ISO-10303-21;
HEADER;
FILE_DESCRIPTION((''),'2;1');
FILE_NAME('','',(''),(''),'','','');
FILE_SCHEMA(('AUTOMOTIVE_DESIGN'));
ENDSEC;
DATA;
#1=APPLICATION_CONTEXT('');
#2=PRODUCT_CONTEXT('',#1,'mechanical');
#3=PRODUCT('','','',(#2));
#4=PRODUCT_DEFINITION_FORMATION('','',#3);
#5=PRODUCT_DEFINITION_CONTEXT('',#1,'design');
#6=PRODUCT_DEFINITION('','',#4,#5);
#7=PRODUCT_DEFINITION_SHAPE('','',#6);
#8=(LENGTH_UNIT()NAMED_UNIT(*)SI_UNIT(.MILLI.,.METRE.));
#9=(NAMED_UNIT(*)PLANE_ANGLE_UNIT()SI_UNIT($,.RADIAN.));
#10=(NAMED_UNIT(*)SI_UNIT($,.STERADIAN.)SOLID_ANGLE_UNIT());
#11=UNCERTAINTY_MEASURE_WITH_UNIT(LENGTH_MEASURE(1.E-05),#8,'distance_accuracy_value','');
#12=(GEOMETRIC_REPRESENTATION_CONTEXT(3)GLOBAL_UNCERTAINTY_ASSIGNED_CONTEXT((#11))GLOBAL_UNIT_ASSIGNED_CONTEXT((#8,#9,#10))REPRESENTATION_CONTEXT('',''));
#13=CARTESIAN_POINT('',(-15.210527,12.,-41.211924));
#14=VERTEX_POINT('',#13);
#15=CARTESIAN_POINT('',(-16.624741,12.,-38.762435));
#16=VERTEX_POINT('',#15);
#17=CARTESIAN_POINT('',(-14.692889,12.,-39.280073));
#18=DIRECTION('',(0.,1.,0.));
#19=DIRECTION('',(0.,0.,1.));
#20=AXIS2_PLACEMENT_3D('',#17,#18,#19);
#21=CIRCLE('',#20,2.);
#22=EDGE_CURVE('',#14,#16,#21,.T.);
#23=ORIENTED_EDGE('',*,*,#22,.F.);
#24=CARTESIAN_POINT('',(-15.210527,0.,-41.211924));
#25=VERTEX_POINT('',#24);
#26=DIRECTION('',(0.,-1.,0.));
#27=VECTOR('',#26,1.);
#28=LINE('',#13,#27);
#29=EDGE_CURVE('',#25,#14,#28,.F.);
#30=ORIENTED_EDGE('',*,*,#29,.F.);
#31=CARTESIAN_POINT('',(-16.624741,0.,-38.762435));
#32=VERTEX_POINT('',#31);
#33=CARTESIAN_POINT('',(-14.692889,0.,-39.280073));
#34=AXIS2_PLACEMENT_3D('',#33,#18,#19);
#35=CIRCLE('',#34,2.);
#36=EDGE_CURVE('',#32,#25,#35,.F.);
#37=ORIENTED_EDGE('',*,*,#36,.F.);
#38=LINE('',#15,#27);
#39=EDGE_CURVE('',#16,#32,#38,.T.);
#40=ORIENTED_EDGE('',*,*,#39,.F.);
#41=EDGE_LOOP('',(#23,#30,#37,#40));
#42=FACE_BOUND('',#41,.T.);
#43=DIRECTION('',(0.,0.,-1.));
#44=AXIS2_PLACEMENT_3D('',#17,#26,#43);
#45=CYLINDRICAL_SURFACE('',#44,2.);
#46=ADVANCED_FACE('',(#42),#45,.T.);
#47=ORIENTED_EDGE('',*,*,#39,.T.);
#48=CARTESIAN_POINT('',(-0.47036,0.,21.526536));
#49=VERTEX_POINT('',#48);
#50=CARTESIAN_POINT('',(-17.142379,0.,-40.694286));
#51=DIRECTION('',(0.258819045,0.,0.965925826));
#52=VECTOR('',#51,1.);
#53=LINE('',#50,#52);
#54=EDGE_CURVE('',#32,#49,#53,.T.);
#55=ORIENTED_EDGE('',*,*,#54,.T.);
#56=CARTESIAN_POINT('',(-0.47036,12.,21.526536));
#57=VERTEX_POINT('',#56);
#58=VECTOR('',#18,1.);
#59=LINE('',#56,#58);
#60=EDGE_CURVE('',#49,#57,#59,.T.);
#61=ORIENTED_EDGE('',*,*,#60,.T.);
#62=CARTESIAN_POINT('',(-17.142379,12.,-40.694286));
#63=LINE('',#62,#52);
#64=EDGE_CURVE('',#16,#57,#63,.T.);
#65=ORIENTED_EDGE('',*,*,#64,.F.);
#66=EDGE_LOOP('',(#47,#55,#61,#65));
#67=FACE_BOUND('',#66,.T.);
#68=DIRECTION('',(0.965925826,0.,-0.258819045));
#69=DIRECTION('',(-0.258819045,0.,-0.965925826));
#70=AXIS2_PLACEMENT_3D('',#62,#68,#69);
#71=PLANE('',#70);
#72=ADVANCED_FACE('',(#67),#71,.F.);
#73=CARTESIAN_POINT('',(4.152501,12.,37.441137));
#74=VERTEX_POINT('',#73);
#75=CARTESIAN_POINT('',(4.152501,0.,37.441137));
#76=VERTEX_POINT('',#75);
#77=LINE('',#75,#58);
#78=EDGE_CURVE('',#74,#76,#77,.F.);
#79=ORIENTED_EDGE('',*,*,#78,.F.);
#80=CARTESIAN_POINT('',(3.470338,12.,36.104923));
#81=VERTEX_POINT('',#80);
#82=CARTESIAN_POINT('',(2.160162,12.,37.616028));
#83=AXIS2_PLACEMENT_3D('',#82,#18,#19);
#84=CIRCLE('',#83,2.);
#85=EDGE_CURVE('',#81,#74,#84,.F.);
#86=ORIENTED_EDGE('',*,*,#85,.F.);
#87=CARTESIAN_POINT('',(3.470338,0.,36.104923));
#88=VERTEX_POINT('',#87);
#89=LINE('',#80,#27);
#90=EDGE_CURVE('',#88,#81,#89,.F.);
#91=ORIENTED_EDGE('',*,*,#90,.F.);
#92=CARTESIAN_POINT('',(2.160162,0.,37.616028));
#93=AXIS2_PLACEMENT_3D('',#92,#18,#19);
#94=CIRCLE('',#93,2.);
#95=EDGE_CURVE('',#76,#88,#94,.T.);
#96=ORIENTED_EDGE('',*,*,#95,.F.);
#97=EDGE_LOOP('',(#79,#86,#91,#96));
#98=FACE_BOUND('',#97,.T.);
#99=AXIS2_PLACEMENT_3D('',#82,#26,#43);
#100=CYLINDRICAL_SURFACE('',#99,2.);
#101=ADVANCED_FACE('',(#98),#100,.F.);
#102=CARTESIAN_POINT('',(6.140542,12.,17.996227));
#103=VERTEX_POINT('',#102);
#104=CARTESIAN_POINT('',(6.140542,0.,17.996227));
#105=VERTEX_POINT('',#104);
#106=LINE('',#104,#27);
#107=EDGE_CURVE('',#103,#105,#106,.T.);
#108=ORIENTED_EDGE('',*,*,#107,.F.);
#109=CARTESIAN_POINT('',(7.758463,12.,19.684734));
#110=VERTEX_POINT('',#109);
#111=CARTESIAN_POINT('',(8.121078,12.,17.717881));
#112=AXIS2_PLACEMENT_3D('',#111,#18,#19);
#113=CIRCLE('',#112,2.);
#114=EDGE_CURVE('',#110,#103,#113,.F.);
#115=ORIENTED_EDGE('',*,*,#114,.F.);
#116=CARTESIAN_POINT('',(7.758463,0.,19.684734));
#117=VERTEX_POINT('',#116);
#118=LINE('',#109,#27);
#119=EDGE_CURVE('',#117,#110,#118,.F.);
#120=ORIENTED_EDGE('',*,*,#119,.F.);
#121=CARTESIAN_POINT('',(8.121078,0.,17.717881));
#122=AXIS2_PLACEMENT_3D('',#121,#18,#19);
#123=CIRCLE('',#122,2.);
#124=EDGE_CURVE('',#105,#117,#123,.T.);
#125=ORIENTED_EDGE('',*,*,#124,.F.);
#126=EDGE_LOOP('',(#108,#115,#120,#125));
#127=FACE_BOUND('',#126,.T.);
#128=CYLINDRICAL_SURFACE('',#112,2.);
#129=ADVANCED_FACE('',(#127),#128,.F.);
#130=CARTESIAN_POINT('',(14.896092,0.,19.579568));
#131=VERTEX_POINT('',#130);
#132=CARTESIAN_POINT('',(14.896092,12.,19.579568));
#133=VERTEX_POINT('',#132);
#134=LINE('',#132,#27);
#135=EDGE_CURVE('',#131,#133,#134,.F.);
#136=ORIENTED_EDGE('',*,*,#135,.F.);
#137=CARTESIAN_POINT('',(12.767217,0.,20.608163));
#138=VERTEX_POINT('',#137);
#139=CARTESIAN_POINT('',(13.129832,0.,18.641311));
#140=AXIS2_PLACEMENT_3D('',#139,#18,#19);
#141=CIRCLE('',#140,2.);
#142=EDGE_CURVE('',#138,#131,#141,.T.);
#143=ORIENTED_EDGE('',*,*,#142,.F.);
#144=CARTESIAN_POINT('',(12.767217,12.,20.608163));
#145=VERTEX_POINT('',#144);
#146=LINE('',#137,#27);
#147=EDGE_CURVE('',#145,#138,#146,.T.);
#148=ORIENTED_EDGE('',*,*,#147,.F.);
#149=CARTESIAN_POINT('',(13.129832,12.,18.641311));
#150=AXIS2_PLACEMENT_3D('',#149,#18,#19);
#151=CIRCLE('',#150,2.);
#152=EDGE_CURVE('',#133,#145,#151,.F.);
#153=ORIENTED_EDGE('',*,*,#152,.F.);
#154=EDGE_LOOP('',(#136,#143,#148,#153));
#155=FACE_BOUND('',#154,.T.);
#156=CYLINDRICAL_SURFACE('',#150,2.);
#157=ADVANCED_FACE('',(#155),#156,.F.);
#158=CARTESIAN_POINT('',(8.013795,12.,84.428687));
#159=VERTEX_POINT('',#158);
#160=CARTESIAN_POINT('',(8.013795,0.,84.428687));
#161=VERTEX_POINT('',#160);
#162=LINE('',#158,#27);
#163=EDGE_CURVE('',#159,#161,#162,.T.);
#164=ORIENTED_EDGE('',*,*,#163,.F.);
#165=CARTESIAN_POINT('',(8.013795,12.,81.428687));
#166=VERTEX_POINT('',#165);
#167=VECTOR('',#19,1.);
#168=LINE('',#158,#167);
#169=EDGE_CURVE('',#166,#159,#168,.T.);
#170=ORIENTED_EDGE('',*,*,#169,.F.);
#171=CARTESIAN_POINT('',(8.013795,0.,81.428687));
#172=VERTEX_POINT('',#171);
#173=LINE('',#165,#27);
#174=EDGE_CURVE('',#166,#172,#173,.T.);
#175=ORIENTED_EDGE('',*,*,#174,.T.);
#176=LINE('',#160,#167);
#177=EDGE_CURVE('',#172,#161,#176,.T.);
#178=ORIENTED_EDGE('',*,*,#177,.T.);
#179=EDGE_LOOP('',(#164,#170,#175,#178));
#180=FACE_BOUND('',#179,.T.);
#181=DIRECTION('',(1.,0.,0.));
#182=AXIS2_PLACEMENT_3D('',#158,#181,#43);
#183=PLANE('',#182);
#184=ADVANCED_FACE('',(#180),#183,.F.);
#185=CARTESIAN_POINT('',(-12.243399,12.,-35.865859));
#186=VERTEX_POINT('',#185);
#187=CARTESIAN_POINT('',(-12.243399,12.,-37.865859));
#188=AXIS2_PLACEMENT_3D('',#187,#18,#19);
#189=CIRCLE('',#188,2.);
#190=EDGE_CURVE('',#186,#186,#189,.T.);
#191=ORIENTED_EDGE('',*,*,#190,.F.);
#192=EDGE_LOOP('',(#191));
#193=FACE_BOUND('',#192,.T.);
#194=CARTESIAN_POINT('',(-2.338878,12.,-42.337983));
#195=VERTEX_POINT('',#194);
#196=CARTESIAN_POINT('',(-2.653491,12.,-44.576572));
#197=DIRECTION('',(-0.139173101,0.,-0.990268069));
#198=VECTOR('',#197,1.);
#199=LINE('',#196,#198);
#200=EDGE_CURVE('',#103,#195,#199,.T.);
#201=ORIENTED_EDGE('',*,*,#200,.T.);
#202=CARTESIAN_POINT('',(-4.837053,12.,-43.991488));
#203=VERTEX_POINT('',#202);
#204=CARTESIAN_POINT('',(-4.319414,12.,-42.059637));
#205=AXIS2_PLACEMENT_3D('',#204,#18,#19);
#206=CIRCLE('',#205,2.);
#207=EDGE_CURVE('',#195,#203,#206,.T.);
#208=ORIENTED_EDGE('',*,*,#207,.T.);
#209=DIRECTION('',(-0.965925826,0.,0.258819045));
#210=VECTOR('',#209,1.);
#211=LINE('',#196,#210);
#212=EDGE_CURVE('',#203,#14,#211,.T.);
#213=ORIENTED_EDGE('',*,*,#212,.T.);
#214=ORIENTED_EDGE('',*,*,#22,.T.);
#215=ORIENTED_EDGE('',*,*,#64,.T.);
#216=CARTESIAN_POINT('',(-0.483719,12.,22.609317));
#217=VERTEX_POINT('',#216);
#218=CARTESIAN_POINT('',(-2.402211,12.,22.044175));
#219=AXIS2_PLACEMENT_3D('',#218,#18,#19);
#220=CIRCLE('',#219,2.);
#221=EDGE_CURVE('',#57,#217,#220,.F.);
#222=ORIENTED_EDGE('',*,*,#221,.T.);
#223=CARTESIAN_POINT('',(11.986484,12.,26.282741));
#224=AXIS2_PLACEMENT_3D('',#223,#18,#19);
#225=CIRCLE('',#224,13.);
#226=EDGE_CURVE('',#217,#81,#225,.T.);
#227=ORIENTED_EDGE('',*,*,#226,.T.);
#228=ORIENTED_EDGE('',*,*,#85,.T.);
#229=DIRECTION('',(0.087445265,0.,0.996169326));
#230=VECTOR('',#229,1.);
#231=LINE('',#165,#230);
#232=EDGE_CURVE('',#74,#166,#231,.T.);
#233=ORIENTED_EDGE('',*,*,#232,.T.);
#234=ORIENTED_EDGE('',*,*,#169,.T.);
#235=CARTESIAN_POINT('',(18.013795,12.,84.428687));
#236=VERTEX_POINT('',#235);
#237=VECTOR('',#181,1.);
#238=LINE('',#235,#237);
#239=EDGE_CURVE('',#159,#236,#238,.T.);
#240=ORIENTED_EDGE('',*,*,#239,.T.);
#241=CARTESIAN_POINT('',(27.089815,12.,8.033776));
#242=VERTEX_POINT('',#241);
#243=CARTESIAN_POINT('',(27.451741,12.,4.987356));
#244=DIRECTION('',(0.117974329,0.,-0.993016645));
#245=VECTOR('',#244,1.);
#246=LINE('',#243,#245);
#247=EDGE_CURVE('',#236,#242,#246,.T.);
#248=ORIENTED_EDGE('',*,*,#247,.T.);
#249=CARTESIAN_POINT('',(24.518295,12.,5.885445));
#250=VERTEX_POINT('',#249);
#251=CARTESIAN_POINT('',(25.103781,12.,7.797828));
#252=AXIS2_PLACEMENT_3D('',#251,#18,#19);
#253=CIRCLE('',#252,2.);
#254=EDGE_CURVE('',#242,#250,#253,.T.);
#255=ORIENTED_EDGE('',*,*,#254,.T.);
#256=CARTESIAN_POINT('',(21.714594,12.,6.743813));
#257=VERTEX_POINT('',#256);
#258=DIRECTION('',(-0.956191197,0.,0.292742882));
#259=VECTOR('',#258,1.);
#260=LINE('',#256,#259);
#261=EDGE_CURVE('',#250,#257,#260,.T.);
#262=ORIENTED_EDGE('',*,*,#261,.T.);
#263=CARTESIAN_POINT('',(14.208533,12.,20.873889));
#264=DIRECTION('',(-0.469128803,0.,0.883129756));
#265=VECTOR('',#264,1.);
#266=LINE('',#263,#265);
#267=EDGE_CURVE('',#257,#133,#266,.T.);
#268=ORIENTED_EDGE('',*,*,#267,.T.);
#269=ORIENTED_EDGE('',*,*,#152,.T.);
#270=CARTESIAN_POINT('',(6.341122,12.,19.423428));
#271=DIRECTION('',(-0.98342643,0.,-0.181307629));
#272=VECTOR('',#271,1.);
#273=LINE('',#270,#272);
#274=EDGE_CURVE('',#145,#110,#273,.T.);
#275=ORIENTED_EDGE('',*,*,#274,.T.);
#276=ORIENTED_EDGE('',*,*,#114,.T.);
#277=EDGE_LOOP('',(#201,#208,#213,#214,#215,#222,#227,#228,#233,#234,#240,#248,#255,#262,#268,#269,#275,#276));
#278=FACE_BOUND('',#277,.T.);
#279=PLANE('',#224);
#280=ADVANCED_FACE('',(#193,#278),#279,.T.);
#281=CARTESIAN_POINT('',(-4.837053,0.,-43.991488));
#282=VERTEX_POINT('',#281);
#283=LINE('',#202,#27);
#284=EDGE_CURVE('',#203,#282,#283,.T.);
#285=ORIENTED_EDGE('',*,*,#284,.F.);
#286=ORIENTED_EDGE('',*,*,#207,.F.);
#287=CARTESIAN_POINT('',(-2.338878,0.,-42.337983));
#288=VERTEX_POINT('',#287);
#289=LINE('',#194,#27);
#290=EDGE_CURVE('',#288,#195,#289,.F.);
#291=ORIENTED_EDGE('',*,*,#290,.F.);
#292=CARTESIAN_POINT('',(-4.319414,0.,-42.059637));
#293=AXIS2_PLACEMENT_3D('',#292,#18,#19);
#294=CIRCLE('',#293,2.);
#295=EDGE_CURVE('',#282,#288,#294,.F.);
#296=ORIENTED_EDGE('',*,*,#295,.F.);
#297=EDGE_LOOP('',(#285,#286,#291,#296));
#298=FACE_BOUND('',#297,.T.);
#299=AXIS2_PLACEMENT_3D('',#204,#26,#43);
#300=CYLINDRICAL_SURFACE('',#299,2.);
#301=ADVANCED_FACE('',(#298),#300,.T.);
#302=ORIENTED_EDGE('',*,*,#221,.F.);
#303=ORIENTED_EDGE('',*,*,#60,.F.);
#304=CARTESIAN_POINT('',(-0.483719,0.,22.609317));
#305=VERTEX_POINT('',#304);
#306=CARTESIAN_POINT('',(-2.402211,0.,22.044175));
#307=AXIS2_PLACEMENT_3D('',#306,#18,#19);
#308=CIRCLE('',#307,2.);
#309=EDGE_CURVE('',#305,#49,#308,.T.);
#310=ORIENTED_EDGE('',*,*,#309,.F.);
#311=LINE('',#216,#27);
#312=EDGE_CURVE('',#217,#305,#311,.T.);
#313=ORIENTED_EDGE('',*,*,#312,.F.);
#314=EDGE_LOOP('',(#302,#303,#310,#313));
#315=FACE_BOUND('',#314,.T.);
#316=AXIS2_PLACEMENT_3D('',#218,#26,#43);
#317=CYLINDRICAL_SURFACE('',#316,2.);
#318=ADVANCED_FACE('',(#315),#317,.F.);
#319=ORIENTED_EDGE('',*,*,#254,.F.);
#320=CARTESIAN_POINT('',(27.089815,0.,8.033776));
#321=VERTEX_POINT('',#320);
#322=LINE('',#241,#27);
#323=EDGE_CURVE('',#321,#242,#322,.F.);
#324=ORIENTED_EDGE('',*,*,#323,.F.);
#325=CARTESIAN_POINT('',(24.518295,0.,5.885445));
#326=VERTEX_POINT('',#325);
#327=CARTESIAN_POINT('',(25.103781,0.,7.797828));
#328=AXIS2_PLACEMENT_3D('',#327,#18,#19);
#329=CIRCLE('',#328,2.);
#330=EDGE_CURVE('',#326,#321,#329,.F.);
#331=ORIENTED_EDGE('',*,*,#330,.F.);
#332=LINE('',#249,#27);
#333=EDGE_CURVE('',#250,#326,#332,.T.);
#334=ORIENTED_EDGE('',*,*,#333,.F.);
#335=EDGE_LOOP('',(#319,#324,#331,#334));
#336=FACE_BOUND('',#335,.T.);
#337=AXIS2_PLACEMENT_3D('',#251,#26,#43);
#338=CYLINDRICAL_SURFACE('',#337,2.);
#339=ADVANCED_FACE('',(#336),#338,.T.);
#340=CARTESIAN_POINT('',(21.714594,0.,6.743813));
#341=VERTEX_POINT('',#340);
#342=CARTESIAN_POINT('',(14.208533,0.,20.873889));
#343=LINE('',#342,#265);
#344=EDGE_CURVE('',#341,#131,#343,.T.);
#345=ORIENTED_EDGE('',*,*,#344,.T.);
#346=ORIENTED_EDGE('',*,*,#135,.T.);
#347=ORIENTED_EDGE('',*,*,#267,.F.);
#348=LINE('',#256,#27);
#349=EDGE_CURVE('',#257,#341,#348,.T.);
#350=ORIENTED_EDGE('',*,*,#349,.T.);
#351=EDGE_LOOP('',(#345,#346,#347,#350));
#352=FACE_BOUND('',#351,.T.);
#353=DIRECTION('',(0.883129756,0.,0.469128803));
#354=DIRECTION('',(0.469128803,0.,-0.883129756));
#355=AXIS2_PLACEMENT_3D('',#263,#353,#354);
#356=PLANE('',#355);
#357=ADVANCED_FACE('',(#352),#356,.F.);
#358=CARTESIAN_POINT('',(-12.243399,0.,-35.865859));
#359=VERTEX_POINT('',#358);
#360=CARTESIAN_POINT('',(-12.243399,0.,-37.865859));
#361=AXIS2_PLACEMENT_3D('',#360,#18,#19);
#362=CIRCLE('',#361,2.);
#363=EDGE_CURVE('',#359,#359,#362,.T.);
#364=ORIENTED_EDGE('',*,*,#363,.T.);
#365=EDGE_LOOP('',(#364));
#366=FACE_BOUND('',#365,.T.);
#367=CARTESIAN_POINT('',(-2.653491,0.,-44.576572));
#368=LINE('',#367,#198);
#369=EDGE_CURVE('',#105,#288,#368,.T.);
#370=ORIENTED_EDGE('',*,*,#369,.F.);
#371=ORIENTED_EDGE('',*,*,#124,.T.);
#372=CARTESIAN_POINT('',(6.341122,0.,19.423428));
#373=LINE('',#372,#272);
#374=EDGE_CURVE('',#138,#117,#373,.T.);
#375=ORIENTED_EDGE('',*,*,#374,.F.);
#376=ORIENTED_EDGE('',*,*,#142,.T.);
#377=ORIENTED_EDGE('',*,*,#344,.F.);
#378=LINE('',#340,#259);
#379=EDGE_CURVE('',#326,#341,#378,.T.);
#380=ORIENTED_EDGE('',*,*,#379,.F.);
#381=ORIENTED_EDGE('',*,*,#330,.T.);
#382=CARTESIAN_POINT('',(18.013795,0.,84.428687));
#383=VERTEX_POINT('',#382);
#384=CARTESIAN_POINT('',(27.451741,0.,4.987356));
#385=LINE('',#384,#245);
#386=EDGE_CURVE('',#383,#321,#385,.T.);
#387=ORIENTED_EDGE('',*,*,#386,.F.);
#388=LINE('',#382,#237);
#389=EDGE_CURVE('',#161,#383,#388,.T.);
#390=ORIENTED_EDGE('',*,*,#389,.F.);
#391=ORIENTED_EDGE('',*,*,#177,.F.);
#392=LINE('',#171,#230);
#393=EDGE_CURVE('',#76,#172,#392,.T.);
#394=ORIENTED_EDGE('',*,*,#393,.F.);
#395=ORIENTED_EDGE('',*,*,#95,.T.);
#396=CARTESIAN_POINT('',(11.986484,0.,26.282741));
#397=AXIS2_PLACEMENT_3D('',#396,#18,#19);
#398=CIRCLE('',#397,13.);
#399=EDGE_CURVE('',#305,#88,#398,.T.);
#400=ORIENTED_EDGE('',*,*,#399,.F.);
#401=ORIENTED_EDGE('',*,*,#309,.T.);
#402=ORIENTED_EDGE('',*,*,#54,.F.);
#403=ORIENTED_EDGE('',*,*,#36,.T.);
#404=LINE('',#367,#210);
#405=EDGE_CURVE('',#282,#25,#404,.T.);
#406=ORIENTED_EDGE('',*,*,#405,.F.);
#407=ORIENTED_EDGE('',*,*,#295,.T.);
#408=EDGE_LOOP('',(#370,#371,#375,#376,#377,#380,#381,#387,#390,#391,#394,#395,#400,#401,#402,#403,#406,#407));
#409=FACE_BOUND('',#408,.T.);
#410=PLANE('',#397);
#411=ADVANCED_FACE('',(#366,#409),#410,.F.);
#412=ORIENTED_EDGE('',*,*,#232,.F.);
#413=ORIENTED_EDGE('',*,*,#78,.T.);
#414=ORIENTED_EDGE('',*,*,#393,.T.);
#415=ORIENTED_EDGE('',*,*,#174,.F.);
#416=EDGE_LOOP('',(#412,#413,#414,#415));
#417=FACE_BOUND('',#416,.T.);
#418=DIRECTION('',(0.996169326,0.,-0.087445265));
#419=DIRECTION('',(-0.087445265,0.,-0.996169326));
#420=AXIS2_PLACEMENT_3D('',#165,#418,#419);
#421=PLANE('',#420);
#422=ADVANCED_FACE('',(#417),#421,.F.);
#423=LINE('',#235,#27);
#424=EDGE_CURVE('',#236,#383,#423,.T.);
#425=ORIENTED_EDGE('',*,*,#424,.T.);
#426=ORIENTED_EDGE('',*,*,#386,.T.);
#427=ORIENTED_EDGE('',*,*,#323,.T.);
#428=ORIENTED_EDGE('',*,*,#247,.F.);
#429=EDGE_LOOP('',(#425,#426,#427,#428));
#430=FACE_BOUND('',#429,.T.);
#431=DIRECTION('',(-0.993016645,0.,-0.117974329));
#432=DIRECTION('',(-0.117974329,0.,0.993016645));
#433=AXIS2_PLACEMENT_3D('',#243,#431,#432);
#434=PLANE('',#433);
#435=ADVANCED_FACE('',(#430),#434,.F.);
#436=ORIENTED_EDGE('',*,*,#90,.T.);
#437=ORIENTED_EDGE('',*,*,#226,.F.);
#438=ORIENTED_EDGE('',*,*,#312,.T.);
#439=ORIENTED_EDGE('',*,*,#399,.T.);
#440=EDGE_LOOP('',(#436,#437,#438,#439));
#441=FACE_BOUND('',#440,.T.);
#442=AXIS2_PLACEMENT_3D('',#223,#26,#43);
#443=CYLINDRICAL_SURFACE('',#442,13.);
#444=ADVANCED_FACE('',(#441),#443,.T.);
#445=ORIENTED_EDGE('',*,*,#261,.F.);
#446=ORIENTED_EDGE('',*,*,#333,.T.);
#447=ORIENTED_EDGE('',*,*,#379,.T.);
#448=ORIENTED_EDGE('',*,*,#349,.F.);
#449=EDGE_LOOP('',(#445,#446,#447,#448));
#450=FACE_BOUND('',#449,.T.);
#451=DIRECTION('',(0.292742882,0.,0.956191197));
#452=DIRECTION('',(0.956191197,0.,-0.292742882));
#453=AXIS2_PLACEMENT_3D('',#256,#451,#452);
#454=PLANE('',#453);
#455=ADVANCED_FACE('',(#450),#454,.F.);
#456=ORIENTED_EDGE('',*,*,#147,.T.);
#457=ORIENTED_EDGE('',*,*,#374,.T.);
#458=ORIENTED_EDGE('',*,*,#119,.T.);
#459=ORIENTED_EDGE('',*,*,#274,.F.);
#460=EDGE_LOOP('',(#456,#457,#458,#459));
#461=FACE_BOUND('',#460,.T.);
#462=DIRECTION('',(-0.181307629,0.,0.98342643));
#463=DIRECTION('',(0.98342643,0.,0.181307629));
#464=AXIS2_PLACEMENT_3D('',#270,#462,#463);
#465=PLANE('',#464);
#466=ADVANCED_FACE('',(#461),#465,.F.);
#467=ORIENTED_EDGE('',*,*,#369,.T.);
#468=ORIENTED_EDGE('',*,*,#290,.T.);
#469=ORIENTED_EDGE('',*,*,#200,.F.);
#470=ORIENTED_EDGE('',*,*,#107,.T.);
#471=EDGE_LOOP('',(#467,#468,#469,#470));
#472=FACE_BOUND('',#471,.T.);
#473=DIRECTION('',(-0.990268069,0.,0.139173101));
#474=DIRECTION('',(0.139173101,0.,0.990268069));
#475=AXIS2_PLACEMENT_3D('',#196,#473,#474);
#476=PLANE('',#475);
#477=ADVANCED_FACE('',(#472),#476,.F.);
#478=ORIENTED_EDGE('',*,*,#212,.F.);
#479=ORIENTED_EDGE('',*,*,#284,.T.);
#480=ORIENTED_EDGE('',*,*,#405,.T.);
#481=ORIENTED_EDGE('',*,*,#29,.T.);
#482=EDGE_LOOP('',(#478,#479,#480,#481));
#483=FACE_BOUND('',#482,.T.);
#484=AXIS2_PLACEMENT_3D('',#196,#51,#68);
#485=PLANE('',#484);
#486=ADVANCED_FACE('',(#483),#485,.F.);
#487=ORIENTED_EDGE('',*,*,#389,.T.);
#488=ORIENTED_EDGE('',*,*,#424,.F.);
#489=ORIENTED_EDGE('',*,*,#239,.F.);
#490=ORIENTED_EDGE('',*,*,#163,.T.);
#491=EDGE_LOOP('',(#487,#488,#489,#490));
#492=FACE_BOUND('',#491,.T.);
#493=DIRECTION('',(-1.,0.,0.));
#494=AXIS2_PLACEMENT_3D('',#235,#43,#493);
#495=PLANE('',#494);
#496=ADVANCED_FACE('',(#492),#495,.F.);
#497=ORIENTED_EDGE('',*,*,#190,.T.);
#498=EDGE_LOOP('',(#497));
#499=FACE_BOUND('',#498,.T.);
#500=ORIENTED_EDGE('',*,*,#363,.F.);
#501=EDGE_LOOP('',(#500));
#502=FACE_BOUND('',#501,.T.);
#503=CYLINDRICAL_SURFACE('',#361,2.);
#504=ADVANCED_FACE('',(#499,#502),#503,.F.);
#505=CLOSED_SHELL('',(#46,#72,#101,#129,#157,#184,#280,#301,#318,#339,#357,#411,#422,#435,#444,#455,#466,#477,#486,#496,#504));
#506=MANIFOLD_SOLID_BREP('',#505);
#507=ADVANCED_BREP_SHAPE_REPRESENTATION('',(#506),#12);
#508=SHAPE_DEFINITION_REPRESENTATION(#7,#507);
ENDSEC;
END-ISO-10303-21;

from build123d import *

# Parameters (mm, degrees)
BOSS_EXTRUDE1_DEPTH = 12
SKETCH2_R           = 2
CUT_EXTRUDE1_DEPTH  = 90.586836967
FILLET1_R           = 2


with BuildPart() as part:
    # Sketch1 → Boss-Extrude1 (new body)
    with BuildSketch(Plane(origin=(0, 0, 0), x_dir=(1, 0, 0), z_dir=(0, 1, 0))):
        with BuildLine():
            Line((-2.653491445, 44.576571896), (-17.14237884, 40.694286219))
            Line((-17.14237884, 40.694286219), (-0.319140908, -22.09089249))
            ThreePointArc((-0.319140908, -22.09089249), (-0.454624555, -30.053525084), (4.078758213, -36.601067701))
            Line((4.078758213, -36.601067701), (8.013795143, -81.428687361))
            Line((8.013795143, -81.428687361), (8.013795143, -84.428687361))
            Line((8.013795143, -84.428687361), (18.013795143, -84.428687361))
            Line((18.013795143, -84.428687361), (27.451741441, -4.98735574))
            Line((27.451741441, -4.98735574), (21.714594259, -6.743813031))
            Line((21.714594259, -6.743813031), (14.208533418, -20.873889133))
            Line((14.208533418, -20.873889133), (6.341121975, -19.423428104))
            Line((6.341121975, -19.423428104), (-2.653491445, 44.576571896))
        make_face()
    extrude(amount=BOSS_EXTRUDE1_DEPTH)

    # Sketch2 → Cut-Extrude1 (cut, through all)
    with BuildSketch(Plane(origin=(0, 12, 0), x_dir=(1, 0, 0), z_dir=(0, 1, 0))):
        with Locations(Location((-12.243399354, 37.865859094, 0), (0, 0, 270))):
            Circle(SKETCH2_R)
    extrude(amount=-CUT_EXTRUDE1_DEPTH, mode=Mode.SUBTRACT)

    # Fillet1
    fillet1_edges = [part.edges().sort_by_distance(p)[0] for p in [
        (6.341121975, 6, 19.423428104),
        (14.208533418, 6, 20.873889133),
        (27.451741441, 6, 4.98735574),
        (4.078758213, 6, 36.601067701),
        (-0.319140908, 6, 22.09089249),
        (-17.14237884, 6, -40.694286219),
        (-2.653491445, 6, -44.576571896),
    ]]
    fillet(fillet1_edges, radius=FILLET1_R)


solid = part.part
